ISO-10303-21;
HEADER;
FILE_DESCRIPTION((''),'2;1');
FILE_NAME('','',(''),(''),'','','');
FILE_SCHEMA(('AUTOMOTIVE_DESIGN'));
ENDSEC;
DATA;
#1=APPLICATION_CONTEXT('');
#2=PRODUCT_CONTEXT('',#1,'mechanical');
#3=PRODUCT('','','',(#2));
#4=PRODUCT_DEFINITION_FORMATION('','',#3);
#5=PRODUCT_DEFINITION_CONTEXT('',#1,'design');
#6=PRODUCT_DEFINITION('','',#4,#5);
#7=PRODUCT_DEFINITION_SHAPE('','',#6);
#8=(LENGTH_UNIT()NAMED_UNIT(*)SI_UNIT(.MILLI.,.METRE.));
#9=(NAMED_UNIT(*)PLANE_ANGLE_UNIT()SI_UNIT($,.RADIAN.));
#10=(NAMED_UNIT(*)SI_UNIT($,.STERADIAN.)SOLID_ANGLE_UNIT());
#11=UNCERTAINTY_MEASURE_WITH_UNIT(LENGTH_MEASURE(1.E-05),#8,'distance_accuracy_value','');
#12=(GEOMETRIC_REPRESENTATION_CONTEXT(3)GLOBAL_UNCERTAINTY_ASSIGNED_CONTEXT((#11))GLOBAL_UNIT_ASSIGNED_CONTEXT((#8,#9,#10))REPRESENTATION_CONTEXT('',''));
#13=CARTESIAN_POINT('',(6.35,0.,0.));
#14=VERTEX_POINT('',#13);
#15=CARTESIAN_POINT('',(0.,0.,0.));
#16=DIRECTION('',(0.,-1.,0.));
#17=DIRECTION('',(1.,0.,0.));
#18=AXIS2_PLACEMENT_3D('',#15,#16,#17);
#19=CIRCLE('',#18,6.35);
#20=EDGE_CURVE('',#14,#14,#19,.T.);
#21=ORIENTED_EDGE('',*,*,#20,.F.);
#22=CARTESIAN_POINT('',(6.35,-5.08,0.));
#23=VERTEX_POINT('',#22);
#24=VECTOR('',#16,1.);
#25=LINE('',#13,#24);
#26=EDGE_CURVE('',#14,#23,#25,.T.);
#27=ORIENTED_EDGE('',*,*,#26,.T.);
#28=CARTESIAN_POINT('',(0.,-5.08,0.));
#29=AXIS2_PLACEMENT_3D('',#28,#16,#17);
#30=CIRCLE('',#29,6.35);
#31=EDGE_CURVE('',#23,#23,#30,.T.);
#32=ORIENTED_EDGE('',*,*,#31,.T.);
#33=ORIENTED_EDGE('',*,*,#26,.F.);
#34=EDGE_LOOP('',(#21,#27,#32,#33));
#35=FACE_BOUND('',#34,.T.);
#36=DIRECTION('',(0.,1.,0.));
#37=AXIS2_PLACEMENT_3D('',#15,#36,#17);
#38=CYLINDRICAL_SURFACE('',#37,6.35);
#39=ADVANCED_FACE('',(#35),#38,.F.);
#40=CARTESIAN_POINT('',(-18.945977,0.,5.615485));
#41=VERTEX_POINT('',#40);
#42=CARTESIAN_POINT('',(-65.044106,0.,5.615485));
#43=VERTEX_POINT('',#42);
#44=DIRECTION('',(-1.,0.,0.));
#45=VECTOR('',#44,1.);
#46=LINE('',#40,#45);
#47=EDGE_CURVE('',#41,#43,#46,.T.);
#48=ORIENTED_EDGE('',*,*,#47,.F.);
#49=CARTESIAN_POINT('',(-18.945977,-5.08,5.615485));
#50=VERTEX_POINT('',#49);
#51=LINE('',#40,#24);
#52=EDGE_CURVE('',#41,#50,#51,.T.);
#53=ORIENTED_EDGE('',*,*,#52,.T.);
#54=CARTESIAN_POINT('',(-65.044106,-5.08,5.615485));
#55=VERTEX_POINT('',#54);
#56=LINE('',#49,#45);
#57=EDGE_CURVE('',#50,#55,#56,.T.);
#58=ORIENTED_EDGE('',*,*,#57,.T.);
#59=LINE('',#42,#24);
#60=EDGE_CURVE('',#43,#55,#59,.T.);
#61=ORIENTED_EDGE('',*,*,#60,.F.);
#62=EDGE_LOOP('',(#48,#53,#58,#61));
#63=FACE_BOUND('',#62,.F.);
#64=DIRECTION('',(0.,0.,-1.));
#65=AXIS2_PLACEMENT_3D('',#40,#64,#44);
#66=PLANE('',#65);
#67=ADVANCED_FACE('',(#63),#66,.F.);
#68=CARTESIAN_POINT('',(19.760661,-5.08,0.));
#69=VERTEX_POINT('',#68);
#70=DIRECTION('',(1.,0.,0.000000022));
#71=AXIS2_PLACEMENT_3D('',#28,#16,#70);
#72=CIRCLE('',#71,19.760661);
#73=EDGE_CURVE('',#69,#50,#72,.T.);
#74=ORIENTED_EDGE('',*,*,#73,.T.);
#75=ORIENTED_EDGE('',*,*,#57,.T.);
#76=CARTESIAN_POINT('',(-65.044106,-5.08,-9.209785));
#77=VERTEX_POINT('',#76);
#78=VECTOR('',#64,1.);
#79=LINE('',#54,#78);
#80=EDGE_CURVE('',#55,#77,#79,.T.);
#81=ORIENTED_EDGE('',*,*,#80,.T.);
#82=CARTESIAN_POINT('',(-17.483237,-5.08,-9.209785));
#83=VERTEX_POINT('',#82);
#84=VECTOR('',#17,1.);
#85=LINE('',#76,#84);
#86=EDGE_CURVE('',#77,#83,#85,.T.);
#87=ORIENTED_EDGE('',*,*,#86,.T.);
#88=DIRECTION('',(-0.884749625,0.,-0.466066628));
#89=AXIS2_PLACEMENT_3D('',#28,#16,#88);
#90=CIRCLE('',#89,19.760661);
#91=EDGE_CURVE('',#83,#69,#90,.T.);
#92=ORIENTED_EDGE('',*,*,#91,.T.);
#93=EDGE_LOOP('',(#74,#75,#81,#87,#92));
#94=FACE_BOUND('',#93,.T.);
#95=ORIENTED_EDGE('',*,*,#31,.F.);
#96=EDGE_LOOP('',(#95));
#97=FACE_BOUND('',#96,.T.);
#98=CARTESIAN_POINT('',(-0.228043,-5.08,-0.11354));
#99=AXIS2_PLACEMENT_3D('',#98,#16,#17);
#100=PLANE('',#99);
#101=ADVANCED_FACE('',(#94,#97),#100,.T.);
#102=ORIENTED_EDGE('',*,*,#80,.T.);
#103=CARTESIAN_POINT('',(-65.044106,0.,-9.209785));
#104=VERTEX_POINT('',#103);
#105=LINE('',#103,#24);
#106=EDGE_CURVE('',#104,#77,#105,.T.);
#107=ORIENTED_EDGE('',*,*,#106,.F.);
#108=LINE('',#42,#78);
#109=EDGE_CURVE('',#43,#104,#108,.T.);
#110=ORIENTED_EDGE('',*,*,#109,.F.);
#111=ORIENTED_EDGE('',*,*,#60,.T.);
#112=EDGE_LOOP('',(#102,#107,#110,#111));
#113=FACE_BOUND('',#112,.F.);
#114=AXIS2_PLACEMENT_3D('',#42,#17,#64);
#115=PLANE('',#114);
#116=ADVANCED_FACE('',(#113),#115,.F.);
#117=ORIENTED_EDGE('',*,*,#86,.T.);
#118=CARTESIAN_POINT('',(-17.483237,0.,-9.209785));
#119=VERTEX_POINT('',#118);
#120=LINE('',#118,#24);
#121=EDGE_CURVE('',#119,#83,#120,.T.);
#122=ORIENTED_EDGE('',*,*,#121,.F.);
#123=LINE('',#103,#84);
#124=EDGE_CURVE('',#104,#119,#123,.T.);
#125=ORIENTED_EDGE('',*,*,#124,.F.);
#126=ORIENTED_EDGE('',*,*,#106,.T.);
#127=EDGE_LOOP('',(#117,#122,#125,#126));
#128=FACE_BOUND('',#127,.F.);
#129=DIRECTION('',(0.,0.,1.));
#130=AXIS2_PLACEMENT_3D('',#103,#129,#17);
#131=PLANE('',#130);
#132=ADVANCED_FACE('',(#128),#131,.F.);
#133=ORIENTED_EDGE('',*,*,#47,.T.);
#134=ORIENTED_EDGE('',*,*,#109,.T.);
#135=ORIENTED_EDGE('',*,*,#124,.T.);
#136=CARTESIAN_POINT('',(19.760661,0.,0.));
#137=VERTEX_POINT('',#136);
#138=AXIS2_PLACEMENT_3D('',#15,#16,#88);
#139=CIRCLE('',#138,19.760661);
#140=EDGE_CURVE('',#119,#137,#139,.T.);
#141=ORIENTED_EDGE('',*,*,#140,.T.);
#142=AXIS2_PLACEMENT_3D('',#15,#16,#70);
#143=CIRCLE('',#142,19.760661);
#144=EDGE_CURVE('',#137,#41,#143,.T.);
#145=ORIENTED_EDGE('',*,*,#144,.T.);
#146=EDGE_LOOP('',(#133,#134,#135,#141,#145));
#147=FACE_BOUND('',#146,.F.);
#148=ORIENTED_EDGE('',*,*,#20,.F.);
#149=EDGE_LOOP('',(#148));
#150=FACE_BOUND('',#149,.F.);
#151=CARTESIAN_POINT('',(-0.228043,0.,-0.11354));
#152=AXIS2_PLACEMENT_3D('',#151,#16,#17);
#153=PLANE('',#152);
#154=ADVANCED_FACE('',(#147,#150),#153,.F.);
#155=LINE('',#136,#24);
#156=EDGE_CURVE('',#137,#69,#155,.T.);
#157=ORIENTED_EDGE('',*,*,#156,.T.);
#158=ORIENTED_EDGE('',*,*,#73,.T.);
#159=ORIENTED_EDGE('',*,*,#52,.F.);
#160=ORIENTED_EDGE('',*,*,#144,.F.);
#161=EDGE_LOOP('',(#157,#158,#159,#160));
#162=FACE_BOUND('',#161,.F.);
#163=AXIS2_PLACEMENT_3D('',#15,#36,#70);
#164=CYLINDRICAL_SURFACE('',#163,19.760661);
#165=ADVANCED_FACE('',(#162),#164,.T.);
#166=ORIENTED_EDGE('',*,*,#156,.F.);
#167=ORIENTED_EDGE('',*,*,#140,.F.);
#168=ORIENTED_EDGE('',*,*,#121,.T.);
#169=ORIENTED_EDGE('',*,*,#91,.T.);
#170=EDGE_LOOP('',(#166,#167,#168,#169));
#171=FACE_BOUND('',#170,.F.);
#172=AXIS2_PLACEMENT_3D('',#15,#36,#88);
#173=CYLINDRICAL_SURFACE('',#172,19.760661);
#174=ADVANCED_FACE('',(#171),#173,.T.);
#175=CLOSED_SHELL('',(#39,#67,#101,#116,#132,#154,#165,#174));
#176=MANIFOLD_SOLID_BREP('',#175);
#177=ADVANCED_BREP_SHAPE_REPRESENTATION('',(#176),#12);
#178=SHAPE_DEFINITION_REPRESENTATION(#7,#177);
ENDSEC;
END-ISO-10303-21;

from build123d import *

# Parameters (mm, degrees)
F0_R     = 6.35
F1_DEPTH = 5.08


with BuildPart() as f1:
    # F0 (on Front) → F1 (new body)
    with BuildSketch(Plane.XZ):
        with BuildLine():
            ThreePointArc((-17.483237, -9.209785), (4.743595, -19.182858), (19.760661, 0))
            ThreePointArc((19.760661, 0), (2.837137, 19.555929), (-18.945977, 5.615485))
            ThreePointArc((-18.945977, 5.615485), (-19.665174, -1.940271), (-17.483237, -9.209785))
        make_face()
        Circle(F0_R, mode=Mode.SUBTRACT)
        with BuildLine():
            ThreePointArc((-17.483237, -9.209785), (-19.665174, -1.940271), (-18.945977, 5.615485))
            Line((-18.945977, 5.615485), (-65.044106, 5.615485))
            Line((-65.044106, 5.615485), (-65.044106, -9.209785))
            Line((-65.044106, -9.209785), (-17.483237, -9.209785))
        make_face()
    extrude(amount=F1_DEPTH)


solid = f1.part
